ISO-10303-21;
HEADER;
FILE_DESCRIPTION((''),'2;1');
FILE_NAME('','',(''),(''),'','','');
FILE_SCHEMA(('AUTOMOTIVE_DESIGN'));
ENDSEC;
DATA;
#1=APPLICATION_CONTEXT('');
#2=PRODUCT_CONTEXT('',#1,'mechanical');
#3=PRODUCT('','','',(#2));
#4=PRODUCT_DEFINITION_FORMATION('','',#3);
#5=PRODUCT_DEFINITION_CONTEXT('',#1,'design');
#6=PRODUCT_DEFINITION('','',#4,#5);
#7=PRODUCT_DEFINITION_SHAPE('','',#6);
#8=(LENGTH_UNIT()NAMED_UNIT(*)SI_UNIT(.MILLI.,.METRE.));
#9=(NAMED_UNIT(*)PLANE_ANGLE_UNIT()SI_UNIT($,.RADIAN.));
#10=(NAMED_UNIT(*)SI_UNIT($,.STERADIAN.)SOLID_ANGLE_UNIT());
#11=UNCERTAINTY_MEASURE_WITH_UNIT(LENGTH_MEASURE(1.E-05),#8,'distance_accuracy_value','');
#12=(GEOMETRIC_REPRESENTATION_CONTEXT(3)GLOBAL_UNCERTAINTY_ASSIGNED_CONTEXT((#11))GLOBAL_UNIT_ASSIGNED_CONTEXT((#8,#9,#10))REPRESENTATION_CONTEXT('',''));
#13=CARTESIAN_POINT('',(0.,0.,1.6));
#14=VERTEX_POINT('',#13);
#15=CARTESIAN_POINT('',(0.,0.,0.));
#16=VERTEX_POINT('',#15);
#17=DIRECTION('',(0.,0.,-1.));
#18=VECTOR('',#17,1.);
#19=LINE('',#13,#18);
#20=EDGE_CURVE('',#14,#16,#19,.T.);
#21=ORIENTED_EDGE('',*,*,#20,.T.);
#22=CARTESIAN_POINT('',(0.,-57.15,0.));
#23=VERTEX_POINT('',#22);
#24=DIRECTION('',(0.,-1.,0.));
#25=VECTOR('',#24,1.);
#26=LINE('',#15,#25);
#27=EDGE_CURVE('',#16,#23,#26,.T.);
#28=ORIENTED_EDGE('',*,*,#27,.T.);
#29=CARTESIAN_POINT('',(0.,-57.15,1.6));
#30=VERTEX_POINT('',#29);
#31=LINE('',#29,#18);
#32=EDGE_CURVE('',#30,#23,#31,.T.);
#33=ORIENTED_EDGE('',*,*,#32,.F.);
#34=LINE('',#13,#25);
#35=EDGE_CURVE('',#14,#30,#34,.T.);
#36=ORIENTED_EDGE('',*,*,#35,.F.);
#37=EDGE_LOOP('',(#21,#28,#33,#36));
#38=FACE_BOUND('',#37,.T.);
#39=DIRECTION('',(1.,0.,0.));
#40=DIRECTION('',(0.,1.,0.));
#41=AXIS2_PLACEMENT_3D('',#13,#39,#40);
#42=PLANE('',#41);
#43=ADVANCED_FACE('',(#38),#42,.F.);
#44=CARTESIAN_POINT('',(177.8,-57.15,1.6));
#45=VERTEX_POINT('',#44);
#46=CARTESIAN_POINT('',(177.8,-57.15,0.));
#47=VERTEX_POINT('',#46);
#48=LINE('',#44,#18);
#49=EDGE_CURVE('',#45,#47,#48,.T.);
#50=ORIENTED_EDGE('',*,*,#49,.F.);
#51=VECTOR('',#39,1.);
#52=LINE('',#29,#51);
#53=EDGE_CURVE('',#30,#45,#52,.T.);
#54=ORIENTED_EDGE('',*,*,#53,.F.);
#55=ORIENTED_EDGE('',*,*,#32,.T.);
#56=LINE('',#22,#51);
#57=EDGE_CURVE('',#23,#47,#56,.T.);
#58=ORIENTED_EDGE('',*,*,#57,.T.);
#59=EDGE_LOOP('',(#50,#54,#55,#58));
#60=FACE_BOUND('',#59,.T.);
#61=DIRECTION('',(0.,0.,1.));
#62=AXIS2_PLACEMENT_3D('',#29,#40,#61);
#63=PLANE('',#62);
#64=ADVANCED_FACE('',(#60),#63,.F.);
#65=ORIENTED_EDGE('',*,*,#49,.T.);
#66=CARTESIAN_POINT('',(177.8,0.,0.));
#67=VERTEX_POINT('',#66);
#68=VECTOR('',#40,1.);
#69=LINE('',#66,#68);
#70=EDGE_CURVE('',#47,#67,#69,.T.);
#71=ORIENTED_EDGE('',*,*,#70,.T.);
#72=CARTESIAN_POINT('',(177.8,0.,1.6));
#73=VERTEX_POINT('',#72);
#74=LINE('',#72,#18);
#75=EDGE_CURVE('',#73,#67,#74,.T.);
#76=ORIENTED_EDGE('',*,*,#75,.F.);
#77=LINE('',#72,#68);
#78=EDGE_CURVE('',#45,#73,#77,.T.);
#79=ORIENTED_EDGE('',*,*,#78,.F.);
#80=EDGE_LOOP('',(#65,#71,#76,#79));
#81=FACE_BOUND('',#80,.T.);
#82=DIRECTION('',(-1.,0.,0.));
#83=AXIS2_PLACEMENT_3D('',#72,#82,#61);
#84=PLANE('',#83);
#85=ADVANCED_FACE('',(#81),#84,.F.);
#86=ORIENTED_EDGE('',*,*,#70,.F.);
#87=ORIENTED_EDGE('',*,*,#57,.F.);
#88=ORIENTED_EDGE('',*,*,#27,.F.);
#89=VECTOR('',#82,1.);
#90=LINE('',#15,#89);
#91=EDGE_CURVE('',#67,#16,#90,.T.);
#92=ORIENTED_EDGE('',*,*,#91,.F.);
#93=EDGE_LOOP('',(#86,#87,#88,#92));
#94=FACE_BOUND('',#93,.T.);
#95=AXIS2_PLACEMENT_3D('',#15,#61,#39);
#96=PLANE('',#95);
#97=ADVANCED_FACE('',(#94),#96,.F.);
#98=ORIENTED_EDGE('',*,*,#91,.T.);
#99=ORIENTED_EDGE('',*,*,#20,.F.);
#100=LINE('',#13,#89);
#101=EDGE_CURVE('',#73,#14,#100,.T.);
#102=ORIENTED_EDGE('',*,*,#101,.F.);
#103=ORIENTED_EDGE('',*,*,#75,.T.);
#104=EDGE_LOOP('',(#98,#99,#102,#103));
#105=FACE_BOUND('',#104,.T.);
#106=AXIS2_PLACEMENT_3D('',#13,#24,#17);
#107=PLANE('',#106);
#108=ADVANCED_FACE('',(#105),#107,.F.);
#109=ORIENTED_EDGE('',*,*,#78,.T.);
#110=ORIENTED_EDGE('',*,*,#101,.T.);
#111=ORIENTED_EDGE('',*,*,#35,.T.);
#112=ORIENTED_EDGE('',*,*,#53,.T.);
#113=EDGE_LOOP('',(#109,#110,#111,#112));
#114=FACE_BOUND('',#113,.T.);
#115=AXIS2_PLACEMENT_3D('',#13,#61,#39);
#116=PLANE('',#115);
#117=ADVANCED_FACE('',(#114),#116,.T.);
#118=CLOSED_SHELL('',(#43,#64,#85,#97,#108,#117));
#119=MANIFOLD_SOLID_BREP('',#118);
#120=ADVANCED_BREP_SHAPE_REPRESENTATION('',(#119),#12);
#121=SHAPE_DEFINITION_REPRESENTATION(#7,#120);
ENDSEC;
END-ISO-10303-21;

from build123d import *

# Parameters (mm, degrees)
SKETCH2_W           = 177.8
SKETCH2_H           = 57.15
BOSS_EXTRUDE1_DEPTH = 1.6


with BuildPart() as part:
    # Sketch2 → Boss-Extrude1 (new body)
    with BuildSketch(Plane.XY):
        with Locations((88.9, -28.575)):
            Rectangle(SKETCH2_W, SKETCH2_H)
    extrude(amount=BOSS_EXTRUDE1_DEPTH)


solid = part.part
